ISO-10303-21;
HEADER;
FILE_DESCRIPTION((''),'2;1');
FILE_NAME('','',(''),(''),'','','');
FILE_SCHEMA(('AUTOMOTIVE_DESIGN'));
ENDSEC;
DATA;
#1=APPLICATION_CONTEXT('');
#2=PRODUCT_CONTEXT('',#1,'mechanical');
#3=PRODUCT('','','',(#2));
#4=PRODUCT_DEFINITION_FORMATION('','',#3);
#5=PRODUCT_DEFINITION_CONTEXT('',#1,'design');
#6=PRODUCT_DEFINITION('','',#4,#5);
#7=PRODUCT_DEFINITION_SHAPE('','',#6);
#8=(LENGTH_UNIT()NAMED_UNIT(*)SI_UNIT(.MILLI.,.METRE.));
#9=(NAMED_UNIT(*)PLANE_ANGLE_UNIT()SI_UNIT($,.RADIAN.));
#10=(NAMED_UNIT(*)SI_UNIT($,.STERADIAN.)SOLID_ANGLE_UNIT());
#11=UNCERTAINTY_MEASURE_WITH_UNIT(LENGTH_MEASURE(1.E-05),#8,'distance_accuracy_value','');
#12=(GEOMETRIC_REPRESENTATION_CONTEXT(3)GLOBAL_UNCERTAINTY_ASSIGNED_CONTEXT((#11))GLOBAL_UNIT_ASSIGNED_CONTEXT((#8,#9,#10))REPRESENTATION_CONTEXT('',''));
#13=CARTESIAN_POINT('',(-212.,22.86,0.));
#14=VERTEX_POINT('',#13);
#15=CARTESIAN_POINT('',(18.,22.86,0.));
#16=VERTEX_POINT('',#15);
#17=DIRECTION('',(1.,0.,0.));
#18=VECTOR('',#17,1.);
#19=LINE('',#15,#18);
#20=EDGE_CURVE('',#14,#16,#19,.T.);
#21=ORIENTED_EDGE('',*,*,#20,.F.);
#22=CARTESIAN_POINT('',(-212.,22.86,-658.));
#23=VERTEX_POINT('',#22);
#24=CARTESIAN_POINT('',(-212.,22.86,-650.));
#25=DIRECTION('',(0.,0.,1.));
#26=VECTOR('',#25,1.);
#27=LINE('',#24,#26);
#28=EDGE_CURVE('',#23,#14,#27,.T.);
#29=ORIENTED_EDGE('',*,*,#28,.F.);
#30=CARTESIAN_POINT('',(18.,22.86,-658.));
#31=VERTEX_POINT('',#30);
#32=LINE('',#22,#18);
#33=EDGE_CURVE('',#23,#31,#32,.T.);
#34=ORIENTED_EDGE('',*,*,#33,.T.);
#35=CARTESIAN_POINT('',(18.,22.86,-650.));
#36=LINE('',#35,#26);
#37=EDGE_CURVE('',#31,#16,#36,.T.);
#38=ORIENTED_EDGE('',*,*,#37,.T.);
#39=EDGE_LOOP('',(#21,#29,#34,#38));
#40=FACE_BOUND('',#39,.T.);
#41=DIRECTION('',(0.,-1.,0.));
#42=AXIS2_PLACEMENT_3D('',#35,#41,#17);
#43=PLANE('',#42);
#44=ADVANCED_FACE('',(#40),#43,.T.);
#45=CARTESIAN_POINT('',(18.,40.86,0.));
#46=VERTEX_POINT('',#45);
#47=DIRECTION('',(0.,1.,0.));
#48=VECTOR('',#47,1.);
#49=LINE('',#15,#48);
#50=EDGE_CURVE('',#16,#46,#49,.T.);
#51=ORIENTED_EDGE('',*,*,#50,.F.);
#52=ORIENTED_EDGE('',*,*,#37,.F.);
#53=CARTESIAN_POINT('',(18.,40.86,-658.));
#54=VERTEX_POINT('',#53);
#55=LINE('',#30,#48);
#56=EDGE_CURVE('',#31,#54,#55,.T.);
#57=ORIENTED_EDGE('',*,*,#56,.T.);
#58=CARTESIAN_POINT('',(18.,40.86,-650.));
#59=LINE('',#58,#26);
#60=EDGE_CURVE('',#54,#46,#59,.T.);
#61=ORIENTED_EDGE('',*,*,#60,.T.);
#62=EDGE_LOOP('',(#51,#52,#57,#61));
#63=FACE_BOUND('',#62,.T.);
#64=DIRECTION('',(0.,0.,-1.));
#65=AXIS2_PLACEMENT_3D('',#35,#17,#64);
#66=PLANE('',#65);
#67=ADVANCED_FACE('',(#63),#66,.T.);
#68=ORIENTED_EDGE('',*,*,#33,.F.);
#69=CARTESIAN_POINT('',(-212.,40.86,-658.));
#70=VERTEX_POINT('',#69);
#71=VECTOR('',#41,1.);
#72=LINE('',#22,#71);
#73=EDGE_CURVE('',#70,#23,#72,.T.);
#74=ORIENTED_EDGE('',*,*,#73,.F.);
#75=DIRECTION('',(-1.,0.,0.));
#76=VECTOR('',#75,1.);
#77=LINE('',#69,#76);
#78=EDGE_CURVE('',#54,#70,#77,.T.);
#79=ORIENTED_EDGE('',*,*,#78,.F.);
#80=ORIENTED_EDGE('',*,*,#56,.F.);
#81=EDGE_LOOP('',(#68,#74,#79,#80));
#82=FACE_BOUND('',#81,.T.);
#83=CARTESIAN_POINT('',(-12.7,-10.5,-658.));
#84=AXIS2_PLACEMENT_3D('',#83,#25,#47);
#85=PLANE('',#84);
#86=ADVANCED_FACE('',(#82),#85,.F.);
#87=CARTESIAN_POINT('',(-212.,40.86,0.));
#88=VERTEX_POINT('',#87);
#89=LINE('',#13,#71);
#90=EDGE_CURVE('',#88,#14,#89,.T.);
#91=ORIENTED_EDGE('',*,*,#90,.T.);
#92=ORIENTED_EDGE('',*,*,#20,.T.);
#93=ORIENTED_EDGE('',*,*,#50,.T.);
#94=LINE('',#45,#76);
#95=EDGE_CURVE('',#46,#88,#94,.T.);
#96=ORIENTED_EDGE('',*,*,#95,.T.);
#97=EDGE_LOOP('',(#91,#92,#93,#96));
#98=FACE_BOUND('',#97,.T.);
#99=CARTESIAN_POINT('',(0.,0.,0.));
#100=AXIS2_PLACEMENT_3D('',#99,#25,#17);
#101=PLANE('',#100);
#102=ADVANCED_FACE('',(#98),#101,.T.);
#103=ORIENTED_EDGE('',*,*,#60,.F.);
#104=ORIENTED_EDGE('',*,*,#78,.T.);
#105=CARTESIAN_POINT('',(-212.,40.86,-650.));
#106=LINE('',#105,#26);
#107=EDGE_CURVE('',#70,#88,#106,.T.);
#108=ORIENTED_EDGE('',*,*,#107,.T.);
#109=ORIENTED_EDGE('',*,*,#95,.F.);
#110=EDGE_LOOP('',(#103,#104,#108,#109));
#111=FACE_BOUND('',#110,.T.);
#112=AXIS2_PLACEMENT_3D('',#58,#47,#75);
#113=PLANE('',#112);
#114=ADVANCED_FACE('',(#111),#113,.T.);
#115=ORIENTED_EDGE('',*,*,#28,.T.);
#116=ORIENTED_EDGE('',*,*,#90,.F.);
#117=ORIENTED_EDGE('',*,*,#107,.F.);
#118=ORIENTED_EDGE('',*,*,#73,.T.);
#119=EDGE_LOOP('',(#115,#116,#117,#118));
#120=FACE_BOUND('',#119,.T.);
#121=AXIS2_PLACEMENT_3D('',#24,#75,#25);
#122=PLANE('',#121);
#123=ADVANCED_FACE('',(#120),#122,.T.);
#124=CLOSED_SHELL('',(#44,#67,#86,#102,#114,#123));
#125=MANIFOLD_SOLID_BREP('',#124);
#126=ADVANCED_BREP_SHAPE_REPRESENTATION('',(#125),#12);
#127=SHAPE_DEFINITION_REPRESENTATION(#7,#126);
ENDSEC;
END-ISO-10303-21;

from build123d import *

# Parameters (mm, degrees)
SKETCH1_W           = 230
SKETCH1_H           = 18
BOSS_EXTRUDE1_DEPTH = 650
SKETCH2_W           = 230
SKETCH2_H           = 18
BOSS_EXTRUDE2_DEPTH = 8


with BuildPart() as part:
    # Sketch1 → Boss-Extrude1 (new body)
    with BuildSketch(Plane.XY):
        with Locations((-97, 31.86)):
            Rectangle(SKETCH1_W, SKETCH1_H)
    extrude(amount=-BOSS_EXTRUDE1_DEPTH)

    # Sketch2 → Boss-Extrude2 (add)
    with BuildSketch(Plane(origin=(0, 0, -650), x_dir=(-1, 0, 0), z_dir=(0, 0, -1))):
        with Locations((97, 31.86)):
            Rectangle(SKETCH2_W, SKETCH2_H)
    extrude(amount=BOSS_EXTRUDE2_DEPTH)


solid = part.part
